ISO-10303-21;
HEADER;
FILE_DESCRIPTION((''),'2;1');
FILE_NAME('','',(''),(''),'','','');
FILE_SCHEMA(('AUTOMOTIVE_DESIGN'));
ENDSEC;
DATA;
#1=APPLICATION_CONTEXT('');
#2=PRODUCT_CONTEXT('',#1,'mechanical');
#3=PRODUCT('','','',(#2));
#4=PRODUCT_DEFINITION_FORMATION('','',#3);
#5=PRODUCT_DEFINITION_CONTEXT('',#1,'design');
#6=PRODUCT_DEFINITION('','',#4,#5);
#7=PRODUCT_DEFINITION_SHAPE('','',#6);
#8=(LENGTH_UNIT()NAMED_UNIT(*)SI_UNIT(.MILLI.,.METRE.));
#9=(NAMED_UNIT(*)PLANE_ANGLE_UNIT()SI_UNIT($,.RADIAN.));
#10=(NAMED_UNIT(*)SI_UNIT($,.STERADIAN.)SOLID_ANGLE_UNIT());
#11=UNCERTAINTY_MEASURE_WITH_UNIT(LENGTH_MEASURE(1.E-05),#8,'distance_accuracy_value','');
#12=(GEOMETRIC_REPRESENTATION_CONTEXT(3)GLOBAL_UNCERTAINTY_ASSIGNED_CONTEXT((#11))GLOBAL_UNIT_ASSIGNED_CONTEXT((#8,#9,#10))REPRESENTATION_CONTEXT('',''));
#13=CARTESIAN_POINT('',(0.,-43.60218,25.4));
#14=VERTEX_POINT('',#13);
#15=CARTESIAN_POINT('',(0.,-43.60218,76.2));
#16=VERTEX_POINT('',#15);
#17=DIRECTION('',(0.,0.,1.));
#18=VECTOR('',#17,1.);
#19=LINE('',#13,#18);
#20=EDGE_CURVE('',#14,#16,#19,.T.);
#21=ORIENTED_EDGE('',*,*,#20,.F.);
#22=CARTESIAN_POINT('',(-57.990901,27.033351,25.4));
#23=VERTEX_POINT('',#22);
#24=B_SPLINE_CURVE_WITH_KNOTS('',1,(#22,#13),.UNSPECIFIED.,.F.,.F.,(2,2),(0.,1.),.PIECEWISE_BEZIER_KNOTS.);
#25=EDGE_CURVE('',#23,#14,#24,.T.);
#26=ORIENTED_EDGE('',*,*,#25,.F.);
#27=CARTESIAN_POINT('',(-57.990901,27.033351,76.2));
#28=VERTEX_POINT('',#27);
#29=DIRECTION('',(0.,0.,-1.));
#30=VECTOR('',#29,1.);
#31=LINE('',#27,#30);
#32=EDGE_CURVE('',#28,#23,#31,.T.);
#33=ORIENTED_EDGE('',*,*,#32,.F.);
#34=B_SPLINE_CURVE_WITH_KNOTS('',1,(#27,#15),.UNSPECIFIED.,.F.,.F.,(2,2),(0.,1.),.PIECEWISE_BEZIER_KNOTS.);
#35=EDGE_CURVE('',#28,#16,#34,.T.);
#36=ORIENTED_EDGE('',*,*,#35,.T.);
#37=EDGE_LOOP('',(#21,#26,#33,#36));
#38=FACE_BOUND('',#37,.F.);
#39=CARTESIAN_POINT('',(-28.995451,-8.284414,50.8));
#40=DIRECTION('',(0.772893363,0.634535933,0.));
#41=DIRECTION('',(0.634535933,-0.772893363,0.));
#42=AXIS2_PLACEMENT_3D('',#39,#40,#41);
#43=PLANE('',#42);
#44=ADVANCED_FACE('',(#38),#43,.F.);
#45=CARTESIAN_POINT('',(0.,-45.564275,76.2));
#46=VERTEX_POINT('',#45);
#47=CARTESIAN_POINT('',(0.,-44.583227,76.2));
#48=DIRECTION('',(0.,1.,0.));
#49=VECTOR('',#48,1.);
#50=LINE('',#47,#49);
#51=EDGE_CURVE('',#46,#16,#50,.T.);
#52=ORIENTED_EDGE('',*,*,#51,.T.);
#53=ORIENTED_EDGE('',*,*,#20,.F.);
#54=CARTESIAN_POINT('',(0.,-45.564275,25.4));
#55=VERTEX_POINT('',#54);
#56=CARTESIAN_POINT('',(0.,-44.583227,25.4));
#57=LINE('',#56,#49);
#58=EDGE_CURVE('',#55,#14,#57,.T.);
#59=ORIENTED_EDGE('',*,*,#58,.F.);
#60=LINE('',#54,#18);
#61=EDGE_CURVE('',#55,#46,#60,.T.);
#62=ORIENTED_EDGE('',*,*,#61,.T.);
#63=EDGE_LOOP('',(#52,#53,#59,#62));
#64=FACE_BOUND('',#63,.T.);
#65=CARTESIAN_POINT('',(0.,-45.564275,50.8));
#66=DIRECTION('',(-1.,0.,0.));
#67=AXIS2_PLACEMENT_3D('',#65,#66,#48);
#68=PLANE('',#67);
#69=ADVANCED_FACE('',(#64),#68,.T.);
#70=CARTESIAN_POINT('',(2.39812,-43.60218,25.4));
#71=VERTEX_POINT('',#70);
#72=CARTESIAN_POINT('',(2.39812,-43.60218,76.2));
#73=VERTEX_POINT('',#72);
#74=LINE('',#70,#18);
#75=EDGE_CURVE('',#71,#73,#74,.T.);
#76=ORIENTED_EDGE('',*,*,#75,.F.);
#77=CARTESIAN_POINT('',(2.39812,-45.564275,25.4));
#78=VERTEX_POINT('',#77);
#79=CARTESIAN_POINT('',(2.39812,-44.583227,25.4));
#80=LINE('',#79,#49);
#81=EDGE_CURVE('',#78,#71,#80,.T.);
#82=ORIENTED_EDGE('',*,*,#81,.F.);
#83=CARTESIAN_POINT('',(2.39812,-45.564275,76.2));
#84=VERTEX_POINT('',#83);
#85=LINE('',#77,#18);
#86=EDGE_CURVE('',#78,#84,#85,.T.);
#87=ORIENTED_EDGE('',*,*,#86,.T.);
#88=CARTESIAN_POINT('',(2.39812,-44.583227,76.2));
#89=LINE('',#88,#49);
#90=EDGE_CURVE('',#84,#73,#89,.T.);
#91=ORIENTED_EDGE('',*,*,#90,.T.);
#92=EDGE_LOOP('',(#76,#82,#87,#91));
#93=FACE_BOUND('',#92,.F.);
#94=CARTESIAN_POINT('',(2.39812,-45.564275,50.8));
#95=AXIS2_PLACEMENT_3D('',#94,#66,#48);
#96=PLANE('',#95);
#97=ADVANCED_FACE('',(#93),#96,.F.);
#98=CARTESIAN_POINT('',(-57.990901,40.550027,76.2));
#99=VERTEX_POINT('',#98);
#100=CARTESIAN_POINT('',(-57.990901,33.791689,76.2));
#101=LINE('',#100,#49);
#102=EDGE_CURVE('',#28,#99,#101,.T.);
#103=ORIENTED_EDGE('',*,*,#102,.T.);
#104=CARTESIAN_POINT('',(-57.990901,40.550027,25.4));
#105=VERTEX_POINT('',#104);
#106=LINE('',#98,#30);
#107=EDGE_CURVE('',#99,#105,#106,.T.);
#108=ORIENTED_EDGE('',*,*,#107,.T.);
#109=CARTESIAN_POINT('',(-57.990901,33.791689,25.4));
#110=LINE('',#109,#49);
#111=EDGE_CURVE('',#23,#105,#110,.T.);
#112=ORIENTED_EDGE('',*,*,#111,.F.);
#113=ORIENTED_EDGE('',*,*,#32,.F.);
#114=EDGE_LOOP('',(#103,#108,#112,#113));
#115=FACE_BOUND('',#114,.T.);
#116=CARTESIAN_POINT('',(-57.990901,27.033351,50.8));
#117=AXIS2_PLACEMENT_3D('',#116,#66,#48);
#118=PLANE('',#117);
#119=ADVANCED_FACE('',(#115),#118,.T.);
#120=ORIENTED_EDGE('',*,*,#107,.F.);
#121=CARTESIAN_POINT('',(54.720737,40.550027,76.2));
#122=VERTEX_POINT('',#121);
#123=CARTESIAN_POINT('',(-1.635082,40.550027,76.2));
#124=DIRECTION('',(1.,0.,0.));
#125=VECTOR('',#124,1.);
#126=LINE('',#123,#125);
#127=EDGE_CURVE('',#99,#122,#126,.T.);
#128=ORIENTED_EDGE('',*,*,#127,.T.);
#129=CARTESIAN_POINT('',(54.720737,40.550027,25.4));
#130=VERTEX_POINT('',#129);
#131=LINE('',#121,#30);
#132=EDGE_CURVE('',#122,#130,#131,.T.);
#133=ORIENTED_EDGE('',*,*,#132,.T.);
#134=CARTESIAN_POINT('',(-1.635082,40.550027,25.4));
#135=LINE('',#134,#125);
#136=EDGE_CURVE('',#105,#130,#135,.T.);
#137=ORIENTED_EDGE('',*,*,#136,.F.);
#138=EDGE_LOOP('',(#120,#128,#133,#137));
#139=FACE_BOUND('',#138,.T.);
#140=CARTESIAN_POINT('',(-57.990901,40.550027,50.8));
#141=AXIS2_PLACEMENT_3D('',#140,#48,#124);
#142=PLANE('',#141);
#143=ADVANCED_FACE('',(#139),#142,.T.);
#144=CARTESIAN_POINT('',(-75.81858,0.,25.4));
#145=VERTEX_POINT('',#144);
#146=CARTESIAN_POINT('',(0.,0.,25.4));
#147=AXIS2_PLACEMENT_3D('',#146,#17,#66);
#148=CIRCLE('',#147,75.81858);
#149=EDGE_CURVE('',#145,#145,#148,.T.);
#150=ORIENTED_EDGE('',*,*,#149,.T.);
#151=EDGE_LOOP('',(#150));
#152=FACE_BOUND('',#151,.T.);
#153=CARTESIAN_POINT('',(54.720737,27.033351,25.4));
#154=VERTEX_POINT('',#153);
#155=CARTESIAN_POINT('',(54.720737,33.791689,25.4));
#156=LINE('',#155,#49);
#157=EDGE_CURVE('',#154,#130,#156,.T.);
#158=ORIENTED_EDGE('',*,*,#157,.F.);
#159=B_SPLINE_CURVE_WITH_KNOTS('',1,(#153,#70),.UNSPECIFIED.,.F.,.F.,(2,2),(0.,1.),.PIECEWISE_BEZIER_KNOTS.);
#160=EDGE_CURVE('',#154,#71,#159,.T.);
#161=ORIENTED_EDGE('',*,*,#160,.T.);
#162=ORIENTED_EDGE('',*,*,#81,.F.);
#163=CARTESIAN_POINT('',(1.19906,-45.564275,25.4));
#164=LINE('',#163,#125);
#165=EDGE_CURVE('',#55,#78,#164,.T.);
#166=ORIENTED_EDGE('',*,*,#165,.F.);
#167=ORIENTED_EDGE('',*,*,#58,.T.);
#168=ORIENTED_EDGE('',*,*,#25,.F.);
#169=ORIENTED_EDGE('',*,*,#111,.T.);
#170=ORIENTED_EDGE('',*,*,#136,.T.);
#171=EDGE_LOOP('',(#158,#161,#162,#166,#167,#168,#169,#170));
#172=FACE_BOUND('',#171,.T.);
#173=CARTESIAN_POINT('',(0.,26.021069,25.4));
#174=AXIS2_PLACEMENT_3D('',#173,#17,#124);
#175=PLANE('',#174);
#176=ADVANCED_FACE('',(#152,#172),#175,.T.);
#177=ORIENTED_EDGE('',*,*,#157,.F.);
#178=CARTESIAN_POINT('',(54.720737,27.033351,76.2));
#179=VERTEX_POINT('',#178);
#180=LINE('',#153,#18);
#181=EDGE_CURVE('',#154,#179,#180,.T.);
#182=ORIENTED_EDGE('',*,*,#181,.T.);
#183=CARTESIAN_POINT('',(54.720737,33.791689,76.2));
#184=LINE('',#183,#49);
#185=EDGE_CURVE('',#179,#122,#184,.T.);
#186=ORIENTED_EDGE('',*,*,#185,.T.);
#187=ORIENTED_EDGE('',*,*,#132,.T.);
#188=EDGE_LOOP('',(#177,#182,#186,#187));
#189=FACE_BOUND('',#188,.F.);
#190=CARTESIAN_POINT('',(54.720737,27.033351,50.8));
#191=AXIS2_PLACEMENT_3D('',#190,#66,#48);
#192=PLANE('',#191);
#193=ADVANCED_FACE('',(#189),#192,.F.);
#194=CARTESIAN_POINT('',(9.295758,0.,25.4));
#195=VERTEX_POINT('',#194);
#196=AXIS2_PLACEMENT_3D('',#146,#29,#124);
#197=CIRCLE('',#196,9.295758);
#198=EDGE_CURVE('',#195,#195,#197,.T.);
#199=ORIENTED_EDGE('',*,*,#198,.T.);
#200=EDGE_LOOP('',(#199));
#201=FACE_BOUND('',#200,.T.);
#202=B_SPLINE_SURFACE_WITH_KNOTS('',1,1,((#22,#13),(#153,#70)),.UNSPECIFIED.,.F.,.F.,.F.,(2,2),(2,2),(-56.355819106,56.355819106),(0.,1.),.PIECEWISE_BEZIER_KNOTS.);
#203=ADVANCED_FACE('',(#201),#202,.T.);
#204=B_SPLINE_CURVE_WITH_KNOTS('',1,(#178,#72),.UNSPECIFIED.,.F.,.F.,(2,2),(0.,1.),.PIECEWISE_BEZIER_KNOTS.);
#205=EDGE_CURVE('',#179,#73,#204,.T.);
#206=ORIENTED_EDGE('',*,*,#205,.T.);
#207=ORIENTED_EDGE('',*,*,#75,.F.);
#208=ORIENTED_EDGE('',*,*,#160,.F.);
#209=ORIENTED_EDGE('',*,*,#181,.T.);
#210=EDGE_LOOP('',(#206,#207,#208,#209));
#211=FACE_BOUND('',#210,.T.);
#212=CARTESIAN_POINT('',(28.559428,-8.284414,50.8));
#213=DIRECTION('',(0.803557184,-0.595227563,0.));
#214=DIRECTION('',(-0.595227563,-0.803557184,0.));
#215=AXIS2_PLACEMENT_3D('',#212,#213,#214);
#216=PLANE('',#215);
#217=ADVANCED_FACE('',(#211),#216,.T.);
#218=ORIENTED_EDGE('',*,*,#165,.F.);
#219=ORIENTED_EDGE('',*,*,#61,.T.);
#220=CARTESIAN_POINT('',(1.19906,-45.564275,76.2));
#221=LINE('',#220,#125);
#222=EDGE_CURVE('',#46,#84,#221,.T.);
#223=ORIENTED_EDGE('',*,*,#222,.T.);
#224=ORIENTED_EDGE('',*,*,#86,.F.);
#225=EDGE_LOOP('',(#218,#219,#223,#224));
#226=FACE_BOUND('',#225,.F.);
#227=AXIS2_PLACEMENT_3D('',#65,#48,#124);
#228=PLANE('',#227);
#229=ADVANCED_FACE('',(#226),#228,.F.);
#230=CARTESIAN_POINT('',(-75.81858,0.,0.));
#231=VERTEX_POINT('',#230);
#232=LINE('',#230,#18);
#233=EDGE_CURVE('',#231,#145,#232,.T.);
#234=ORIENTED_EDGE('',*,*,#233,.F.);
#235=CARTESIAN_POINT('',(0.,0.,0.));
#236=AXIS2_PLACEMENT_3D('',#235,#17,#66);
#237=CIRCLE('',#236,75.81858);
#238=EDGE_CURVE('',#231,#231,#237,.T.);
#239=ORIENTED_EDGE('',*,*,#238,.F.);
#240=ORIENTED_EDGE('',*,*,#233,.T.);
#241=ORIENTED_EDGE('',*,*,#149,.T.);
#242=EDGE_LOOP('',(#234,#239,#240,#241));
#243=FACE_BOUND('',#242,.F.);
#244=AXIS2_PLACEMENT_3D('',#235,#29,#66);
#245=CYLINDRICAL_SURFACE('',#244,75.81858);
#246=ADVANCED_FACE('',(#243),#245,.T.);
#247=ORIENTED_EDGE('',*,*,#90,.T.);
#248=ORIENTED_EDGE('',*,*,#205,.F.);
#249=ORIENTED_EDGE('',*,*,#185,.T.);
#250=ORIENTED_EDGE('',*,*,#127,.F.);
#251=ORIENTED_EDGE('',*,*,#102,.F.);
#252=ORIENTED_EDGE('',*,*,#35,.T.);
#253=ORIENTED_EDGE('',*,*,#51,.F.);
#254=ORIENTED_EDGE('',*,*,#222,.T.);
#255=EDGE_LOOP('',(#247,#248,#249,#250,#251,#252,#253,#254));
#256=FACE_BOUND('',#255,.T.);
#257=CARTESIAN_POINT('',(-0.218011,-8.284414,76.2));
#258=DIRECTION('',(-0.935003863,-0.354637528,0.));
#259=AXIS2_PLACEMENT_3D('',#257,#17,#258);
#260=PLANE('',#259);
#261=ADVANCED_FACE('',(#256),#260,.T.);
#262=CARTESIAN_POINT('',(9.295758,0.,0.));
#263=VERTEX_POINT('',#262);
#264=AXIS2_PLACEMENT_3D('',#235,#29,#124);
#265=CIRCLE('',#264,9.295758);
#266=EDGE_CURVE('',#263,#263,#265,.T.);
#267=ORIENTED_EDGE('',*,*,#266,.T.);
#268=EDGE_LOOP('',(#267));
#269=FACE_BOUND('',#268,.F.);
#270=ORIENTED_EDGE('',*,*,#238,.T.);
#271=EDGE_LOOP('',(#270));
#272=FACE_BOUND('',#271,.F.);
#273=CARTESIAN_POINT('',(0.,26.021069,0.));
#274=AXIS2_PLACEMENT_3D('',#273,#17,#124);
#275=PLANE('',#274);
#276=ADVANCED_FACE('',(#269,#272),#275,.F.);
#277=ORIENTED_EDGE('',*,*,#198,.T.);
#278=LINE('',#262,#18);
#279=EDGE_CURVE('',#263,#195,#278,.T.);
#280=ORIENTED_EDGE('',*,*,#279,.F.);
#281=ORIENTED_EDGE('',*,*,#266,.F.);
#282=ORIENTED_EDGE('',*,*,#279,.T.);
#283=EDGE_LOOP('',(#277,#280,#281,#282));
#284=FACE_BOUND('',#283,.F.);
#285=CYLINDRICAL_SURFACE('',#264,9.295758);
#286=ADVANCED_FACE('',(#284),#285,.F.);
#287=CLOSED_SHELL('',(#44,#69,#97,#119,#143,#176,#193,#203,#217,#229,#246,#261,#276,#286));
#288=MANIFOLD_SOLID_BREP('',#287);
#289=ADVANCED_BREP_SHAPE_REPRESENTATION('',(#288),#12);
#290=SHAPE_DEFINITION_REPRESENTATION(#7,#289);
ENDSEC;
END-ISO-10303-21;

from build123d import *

# Parameters (mm, degrees)
F1_DEPTH   = 25.4
F2_W       = 112.7116382122
F2_H       = 13.5166756809
F2_W_2     = 2.3981197737
F2_H_2     = 1.962095499
F3_DEPTH   = 25.4
F3_FACE_W  = 112.7116382122
F3_FACE_H  = 25.4
F3_FACE1_W = 2.3981197737
F3_FACE1_H = 25.4
F5_DEPTH   = 25.4


with BuildPart() as f1:
    # F0 (on Top) → F1 (new body)
    with BuildSketch(Plane.XY):
        with BuildLine():
            Line((9.2957576653, 0), (75.818580382, 0))
            ThreePointArc((75.818580382, 0), (0, 75.818580382), (-75.818580382, 0))
            Line((-75.818580382, 0), (-9.2957576653, 0))
            ThreePointArc((-9.2957576653, 0), (0, 9.2957576653), (9.2957576653, 0))
        make_face()
        with BuildLine():
            ThreePointArc((-75.818580382, 0), (0, -75.818580382), (75.818580382, 0))
            Line((75.818580382, 0), (9.2957576653, 0))
            ThreePointArc((9.2957576653, 0), (0, -9.2957576653), (-9.2957576653, 0))
            Line((-9.2957576653, 0), (-75.818580382, 0))
        make_face()
    extrude(amount=F1_DEPTH)

    # F2 (on face) → F3 (join)
    with BuildSketch(Plane.XY.offset(25.4)):
        with Locations((-1.6350820661, 33.7916892022)):
            Rectangle(F2_W, F2_H)
        with Locations((1.1990598869, -44.5832274854)):
            Rectangle(F2_W_2, F2_H_2)
    extrude(amount=F3_DEPTH)

    # F3_face (on face) → F4 section 0
    with BuildSketch(Plane(origin=(-1.6350820661, 27.0333513618, 38.1), x_dir=(1, 0, 0), z_dir=(0, -1, 0))):
        Rectangle(F3_FACE_W, F3_FACE_H)
    # F3_face1 (on face) → F4 section 1
    with BuildSketch(Plane(origin=(1.1990598869, -43.6021797359, 38.1), x_dir=(-1, 0, 0), z_dir=(0, 1, 0))):
        Rectangle(F3_FACE1_W, F3_FACE1_H)
    loft()

    # F5 (add): a face of the model
    f5_faces = [f1.faces().sort_by_distance(p)[0] for p in [
        (-0.9317783137, 11.344748031, 50.8),
    ]]
    extrude(f5_faces, amount=F5_DEPTH)


solid = f1.part
